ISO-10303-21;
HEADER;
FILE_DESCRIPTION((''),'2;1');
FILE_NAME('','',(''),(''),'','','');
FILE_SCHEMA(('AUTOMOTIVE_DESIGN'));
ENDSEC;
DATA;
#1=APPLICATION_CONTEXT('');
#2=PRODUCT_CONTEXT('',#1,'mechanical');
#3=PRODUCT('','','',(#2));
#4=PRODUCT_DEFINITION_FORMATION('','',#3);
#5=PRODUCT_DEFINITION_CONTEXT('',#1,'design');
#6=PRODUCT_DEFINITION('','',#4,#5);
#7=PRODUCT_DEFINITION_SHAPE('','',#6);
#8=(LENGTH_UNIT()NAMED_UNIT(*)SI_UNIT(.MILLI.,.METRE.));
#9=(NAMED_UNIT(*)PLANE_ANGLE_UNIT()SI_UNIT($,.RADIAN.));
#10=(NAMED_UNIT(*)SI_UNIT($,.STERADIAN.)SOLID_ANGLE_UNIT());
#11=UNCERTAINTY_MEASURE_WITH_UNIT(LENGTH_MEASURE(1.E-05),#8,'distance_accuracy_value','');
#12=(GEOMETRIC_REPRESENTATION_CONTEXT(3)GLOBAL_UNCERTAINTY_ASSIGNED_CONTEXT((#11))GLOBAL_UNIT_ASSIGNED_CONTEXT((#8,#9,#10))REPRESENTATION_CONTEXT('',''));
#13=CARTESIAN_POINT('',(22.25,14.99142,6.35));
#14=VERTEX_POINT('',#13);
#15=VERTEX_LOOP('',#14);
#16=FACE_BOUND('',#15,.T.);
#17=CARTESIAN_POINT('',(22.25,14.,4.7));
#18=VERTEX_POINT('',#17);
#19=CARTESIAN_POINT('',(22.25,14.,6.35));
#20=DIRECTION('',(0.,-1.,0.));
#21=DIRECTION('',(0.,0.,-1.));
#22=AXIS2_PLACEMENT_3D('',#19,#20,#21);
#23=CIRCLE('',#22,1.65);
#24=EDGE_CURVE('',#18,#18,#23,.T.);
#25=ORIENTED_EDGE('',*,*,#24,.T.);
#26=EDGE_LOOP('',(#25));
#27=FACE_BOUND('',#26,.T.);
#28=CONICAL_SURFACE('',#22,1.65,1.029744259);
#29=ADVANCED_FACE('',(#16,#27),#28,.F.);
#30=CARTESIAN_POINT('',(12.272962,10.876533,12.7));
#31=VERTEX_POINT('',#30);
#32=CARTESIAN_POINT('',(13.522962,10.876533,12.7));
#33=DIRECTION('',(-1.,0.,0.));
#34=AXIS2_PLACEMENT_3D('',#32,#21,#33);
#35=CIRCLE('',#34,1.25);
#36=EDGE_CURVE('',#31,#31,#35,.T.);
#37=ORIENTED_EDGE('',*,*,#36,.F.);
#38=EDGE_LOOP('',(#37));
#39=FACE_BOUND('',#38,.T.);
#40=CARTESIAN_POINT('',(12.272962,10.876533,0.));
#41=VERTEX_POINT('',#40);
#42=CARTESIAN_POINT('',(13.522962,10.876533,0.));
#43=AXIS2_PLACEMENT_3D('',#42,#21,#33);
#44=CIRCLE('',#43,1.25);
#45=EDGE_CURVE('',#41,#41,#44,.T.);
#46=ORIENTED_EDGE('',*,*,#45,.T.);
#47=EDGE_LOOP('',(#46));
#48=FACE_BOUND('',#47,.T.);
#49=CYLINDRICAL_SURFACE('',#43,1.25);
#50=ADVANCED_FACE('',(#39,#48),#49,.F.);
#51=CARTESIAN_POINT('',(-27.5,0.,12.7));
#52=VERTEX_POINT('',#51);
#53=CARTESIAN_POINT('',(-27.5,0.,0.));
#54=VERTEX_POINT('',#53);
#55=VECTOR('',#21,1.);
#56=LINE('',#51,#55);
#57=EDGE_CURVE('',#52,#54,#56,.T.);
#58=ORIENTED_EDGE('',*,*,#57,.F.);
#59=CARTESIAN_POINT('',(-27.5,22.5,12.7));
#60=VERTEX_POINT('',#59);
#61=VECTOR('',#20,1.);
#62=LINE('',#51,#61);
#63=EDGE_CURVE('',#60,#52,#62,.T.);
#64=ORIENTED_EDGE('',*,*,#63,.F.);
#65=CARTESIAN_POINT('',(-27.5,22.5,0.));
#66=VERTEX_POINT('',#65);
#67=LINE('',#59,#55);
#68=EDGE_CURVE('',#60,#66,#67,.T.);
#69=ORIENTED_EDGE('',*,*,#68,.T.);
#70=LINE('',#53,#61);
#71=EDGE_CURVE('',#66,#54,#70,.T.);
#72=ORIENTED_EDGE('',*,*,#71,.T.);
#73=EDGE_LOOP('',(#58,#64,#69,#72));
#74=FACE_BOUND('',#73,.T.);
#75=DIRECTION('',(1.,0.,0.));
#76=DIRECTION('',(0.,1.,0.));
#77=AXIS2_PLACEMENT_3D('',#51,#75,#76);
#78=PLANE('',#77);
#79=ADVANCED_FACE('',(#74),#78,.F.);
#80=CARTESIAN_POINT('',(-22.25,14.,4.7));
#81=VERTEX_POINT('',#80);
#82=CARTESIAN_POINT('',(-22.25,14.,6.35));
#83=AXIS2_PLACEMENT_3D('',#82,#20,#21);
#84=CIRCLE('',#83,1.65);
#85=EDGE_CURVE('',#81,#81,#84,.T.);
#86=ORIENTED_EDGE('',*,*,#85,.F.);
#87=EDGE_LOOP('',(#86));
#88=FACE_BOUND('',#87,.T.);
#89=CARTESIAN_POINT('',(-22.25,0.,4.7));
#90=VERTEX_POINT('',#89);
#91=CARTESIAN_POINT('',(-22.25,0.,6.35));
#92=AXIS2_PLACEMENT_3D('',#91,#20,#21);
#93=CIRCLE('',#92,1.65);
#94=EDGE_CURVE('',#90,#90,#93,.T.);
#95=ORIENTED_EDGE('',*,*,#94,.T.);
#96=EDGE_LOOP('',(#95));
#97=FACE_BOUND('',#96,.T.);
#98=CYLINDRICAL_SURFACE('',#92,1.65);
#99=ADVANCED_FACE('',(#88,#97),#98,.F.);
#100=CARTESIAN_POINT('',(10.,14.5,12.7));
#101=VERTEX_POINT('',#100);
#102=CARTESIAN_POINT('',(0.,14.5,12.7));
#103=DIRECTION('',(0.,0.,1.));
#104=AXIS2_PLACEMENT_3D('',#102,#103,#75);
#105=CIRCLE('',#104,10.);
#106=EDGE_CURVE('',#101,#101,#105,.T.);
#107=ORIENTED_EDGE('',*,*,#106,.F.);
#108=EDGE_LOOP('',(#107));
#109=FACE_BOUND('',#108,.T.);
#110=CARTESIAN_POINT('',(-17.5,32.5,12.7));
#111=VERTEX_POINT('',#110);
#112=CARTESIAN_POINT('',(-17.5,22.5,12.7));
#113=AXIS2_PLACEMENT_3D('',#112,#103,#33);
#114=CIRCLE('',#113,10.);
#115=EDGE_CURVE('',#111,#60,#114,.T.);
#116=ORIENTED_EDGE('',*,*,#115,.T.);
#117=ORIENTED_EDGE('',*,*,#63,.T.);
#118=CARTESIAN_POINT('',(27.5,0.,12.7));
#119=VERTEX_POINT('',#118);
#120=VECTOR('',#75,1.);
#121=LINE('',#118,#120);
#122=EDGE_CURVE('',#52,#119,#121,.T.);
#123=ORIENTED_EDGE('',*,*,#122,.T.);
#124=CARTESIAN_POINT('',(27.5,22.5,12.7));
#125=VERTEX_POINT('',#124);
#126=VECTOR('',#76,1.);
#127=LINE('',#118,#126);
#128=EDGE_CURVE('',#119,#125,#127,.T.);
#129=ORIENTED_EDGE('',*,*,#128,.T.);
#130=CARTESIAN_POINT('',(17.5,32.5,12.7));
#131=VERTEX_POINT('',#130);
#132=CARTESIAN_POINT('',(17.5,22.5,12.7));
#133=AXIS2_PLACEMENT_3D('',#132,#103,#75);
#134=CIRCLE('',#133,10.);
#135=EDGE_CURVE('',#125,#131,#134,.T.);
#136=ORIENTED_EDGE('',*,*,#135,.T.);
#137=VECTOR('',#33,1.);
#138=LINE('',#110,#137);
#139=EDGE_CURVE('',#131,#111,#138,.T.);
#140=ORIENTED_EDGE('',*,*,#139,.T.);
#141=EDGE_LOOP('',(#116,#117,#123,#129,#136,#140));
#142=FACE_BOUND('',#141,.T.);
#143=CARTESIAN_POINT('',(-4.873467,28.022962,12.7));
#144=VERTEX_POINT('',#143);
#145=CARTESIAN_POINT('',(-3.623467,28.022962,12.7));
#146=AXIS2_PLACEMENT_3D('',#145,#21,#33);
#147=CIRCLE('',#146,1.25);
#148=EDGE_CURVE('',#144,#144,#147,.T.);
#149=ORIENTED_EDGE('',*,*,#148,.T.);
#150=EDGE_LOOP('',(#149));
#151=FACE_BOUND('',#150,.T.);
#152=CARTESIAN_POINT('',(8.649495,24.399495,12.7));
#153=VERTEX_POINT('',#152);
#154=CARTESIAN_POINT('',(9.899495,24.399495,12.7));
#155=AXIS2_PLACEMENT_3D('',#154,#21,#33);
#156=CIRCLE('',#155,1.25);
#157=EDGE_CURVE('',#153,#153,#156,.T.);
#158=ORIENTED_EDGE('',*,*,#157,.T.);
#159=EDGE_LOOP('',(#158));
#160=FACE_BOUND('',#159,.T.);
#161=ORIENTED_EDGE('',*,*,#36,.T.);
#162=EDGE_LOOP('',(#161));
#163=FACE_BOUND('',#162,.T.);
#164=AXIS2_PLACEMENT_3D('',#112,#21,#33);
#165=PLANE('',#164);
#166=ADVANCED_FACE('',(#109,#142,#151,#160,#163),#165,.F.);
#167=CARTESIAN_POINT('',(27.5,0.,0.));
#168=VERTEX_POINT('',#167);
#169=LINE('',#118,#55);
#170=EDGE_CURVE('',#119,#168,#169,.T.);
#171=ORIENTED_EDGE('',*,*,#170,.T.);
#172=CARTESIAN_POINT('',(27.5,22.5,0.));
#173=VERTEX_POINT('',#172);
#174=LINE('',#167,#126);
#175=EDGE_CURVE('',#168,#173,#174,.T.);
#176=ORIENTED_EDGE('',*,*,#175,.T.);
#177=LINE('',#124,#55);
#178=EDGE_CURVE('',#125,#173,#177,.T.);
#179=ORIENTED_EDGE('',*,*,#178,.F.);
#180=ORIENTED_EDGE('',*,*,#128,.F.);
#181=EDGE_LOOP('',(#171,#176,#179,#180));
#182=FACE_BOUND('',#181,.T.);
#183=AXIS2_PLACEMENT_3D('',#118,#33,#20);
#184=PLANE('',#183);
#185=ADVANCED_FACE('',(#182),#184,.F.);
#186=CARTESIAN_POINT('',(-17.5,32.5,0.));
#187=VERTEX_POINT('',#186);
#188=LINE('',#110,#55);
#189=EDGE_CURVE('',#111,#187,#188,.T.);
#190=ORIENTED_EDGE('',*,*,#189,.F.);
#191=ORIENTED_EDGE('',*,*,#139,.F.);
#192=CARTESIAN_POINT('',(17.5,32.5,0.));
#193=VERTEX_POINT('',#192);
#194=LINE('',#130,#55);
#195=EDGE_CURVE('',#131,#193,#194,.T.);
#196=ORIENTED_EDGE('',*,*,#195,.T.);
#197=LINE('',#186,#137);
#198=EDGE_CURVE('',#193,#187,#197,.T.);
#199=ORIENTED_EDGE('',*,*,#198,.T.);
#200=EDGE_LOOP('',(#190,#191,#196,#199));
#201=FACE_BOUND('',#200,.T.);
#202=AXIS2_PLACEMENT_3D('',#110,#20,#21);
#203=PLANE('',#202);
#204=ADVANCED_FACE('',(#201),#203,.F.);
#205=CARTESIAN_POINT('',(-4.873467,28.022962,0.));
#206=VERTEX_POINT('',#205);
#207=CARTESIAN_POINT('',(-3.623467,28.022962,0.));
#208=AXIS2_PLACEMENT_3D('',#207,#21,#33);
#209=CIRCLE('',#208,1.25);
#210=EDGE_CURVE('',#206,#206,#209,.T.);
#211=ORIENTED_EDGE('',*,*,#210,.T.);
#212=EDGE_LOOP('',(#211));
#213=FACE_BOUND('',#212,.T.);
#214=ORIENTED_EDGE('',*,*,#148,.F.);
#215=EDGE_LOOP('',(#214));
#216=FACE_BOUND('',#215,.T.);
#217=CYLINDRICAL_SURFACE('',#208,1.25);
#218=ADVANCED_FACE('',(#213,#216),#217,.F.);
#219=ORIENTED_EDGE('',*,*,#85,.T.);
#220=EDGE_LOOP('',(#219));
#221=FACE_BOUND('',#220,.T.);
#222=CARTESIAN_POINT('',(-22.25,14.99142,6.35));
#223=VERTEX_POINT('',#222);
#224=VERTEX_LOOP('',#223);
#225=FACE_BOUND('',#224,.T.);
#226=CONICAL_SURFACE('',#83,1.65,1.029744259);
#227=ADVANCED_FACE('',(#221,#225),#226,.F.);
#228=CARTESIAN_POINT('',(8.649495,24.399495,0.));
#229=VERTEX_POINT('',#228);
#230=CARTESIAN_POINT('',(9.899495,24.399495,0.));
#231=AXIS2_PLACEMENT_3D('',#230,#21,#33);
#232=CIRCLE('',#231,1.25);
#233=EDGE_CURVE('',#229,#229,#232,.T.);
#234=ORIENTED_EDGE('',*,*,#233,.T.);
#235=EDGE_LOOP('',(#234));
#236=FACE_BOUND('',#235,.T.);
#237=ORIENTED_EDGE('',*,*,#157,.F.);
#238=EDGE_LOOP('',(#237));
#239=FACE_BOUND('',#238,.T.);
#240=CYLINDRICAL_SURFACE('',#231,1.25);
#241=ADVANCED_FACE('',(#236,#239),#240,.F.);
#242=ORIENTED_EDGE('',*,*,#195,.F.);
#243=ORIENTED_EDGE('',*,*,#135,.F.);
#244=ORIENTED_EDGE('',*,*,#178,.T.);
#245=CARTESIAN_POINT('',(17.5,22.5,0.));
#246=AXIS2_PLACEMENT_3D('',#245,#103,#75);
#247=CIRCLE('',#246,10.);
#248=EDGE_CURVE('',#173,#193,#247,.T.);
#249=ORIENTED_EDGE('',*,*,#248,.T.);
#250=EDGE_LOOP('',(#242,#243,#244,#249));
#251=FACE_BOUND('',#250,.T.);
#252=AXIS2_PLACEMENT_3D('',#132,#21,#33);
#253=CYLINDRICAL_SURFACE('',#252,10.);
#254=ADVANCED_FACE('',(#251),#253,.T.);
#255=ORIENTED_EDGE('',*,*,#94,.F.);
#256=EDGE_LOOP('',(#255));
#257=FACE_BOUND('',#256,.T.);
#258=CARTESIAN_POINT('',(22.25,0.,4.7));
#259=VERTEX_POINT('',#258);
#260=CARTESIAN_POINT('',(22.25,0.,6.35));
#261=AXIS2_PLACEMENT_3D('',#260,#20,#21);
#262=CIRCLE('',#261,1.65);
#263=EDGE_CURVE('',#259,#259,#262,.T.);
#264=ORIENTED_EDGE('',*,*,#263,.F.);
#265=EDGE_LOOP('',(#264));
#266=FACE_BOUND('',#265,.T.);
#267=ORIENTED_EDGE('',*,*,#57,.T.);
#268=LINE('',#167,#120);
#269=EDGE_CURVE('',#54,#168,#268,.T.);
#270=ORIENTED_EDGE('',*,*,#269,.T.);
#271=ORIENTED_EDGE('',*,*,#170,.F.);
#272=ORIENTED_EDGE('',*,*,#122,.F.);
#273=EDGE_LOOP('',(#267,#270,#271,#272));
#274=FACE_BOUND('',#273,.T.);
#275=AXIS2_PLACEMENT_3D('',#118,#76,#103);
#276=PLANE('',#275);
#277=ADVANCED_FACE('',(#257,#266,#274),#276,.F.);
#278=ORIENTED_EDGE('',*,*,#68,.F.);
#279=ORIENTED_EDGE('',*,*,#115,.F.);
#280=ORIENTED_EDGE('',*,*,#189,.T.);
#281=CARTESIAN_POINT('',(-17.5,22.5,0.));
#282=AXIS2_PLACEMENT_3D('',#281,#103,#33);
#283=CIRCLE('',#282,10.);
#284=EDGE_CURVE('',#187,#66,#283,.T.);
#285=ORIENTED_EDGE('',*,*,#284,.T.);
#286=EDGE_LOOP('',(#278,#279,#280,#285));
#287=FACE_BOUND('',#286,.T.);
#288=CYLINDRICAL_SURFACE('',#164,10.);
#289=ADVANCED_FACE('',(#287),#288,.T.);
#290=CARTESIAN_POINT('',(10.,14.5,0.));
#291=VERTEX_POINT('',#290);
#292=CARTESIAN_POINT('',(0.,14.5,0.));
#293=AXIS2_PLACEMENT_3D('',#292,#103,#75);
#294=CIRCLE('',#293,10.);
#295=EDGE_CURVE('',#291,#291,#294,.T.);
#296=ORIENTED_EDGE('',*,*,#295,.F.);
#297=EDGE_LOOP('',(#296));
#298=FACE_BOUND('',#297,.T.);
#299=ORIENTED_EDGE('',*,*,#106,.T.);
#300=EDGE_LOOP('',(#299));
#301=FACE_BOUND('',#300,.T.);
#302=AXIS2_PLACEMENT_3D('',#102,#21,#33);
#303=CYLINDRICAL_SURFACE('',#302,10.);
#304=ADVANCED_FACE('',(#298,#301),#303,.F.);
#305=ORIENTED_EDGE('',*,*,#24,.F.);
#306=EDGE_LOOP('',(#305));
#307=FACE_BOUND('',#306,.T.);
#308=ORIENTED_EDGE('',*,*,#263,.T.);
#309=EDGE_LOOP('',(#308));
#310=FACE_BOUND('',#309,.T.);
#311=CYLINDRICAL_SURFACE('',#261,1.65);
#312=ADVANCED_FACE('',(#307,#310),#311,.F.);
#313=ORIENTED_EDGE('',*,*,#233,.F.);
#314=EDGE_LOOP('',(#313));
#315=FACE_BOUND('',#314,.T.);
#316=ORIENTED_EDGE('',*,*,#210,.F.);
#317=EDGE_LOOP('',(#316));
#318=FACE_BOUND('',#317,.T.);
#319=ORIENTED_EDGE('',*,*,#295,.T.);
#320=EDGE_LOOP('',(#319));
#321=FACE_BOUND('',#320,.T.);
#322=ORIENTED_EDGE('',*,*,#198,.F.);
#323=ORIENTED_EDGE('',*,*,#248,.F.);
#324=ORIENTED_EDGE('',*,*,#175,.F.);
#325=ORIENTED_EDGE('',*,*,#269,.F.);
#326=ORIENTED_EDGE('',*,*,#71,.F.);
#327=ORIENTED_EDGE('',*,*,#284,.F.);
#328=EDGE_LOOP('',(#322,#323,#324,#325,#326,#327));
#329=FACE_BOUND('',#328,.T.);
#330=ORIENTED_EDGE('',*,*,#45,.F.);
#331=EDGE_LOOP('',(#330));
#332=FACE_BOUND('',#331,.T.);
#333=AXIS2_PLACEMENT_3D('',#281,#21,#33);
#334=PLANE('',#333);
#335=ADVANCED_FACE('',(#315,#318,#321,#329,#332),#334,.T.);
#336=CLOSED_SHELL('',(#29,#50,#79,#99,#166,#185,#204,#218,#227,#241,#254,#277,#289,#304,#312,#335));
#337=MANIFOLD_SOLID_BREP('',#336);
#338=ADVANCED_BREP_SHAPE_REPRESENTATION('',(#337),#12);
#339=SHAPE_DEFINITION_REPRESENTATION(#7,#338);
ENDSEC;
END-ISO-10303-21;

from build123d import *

# Parameters (mm, degrees)
SKETCH2_R                       = 10
BOSS_EXTRUDE1_DEPTH             = 12.7
TAP_DRILL_FOR_M3X0_5_TAP1_D     = 2.5
TAP_DRILL_FOR_M3X0_5_TAP1_DEPTH = 25
TAP_DRILL_FOR_M3X0_5_TAP1_TIP   = 0.751075774
M4X0_7_TAPPED_HOLE1_D           = 3.3
M4X0_7_TAPPED_HOLE1_DEPTH       = 14
M4X0_7_TAPPED_HOLE1_TIP         = 0.991420021


with BuildPart() as part:
    # Sketch2 → Boss-Extrude1 (new body)
    with BuildSketch(Plane.XY):
        with BuildLine():
            Line((27.5, 0), (-27.5, 0))
            Line((-27.5, 0), (-27.5, 22.5))
            ThreePointArc((-27.5, 22.5), (-24.571067812, 29.571067812), (-17.5, 32.5))
            Line((-17.5, 32.5), (17.5, 32.5))
            ThreePointArc((17.5, 32.5), (24.571067812, 29.571067812), (27.5, 22.5))
            Line((27.5, 22.5), (27.5, 0))
        make_face()
        with Locations((0, 14.5)):
            Circle(SKETCH2_R, mode=Mode.SUBTRACT)
    extrude(amount=BOSS_EXTRUDE1_DEPTH)

    # Tap Drill for M3x0.5 Tap1
    with Locations(Plane(origin=(13.522961568, 10.876533369, 0), x_dir=(-1, 0, 0), z_dir=(0, 0, -1))):
        with Locations((0, 0), (3.623466631, 13.522961568), (17.146428199, 17.146428199)):
            Hole(TAP_DRILL_FOR_M3X0_5_TAP1_D / 2, depth=TAP_DRILL_FOR_M3X0_5_TAP1_DEPTH)
            with Locations((0, 0, -(TAP_DRILL_FOR_M3X0_5_TAP1_DEPTH + TAP_DRILL_FOR_M3X0_5_TAP1_TIP / 2))):  # 118° drill point
                Cone(0, TAP_DRILL_FOR_M3X0_5_TAP1_D / 2, TAP_DRILL_FOR_M3X0_5_TAP1_TIP, mode=Mode.SUBTRACT)

    # M4x0.7 Tapped Hole1
    with Locations(Plane(origin=(22.25, 0, 6.35), x_dir=(0, 0, -1), z_dir=(0, -1, 0))):
        with Locations((0, 0), (0, -44.5)):
            Hole(M4X0_7_TAPPED_HOLE1_D / 2, depth=M4X0_7_TAPPED_HOLE1_DEPTH)
            with Locations((0, 0, -(M4X0_7_TAPPED_HOLE1_DEPTH + M4X0_7_TAPPED_HOLE1_TIP / 2))):  # 118° drill point
                Cone(0, M4X0_7_TAPPED_HOLE1_D / 2, M4X0_7_TAPPED_HOLE1_TIP, mode=Mode.SUBTRACT)


solid = part.part
